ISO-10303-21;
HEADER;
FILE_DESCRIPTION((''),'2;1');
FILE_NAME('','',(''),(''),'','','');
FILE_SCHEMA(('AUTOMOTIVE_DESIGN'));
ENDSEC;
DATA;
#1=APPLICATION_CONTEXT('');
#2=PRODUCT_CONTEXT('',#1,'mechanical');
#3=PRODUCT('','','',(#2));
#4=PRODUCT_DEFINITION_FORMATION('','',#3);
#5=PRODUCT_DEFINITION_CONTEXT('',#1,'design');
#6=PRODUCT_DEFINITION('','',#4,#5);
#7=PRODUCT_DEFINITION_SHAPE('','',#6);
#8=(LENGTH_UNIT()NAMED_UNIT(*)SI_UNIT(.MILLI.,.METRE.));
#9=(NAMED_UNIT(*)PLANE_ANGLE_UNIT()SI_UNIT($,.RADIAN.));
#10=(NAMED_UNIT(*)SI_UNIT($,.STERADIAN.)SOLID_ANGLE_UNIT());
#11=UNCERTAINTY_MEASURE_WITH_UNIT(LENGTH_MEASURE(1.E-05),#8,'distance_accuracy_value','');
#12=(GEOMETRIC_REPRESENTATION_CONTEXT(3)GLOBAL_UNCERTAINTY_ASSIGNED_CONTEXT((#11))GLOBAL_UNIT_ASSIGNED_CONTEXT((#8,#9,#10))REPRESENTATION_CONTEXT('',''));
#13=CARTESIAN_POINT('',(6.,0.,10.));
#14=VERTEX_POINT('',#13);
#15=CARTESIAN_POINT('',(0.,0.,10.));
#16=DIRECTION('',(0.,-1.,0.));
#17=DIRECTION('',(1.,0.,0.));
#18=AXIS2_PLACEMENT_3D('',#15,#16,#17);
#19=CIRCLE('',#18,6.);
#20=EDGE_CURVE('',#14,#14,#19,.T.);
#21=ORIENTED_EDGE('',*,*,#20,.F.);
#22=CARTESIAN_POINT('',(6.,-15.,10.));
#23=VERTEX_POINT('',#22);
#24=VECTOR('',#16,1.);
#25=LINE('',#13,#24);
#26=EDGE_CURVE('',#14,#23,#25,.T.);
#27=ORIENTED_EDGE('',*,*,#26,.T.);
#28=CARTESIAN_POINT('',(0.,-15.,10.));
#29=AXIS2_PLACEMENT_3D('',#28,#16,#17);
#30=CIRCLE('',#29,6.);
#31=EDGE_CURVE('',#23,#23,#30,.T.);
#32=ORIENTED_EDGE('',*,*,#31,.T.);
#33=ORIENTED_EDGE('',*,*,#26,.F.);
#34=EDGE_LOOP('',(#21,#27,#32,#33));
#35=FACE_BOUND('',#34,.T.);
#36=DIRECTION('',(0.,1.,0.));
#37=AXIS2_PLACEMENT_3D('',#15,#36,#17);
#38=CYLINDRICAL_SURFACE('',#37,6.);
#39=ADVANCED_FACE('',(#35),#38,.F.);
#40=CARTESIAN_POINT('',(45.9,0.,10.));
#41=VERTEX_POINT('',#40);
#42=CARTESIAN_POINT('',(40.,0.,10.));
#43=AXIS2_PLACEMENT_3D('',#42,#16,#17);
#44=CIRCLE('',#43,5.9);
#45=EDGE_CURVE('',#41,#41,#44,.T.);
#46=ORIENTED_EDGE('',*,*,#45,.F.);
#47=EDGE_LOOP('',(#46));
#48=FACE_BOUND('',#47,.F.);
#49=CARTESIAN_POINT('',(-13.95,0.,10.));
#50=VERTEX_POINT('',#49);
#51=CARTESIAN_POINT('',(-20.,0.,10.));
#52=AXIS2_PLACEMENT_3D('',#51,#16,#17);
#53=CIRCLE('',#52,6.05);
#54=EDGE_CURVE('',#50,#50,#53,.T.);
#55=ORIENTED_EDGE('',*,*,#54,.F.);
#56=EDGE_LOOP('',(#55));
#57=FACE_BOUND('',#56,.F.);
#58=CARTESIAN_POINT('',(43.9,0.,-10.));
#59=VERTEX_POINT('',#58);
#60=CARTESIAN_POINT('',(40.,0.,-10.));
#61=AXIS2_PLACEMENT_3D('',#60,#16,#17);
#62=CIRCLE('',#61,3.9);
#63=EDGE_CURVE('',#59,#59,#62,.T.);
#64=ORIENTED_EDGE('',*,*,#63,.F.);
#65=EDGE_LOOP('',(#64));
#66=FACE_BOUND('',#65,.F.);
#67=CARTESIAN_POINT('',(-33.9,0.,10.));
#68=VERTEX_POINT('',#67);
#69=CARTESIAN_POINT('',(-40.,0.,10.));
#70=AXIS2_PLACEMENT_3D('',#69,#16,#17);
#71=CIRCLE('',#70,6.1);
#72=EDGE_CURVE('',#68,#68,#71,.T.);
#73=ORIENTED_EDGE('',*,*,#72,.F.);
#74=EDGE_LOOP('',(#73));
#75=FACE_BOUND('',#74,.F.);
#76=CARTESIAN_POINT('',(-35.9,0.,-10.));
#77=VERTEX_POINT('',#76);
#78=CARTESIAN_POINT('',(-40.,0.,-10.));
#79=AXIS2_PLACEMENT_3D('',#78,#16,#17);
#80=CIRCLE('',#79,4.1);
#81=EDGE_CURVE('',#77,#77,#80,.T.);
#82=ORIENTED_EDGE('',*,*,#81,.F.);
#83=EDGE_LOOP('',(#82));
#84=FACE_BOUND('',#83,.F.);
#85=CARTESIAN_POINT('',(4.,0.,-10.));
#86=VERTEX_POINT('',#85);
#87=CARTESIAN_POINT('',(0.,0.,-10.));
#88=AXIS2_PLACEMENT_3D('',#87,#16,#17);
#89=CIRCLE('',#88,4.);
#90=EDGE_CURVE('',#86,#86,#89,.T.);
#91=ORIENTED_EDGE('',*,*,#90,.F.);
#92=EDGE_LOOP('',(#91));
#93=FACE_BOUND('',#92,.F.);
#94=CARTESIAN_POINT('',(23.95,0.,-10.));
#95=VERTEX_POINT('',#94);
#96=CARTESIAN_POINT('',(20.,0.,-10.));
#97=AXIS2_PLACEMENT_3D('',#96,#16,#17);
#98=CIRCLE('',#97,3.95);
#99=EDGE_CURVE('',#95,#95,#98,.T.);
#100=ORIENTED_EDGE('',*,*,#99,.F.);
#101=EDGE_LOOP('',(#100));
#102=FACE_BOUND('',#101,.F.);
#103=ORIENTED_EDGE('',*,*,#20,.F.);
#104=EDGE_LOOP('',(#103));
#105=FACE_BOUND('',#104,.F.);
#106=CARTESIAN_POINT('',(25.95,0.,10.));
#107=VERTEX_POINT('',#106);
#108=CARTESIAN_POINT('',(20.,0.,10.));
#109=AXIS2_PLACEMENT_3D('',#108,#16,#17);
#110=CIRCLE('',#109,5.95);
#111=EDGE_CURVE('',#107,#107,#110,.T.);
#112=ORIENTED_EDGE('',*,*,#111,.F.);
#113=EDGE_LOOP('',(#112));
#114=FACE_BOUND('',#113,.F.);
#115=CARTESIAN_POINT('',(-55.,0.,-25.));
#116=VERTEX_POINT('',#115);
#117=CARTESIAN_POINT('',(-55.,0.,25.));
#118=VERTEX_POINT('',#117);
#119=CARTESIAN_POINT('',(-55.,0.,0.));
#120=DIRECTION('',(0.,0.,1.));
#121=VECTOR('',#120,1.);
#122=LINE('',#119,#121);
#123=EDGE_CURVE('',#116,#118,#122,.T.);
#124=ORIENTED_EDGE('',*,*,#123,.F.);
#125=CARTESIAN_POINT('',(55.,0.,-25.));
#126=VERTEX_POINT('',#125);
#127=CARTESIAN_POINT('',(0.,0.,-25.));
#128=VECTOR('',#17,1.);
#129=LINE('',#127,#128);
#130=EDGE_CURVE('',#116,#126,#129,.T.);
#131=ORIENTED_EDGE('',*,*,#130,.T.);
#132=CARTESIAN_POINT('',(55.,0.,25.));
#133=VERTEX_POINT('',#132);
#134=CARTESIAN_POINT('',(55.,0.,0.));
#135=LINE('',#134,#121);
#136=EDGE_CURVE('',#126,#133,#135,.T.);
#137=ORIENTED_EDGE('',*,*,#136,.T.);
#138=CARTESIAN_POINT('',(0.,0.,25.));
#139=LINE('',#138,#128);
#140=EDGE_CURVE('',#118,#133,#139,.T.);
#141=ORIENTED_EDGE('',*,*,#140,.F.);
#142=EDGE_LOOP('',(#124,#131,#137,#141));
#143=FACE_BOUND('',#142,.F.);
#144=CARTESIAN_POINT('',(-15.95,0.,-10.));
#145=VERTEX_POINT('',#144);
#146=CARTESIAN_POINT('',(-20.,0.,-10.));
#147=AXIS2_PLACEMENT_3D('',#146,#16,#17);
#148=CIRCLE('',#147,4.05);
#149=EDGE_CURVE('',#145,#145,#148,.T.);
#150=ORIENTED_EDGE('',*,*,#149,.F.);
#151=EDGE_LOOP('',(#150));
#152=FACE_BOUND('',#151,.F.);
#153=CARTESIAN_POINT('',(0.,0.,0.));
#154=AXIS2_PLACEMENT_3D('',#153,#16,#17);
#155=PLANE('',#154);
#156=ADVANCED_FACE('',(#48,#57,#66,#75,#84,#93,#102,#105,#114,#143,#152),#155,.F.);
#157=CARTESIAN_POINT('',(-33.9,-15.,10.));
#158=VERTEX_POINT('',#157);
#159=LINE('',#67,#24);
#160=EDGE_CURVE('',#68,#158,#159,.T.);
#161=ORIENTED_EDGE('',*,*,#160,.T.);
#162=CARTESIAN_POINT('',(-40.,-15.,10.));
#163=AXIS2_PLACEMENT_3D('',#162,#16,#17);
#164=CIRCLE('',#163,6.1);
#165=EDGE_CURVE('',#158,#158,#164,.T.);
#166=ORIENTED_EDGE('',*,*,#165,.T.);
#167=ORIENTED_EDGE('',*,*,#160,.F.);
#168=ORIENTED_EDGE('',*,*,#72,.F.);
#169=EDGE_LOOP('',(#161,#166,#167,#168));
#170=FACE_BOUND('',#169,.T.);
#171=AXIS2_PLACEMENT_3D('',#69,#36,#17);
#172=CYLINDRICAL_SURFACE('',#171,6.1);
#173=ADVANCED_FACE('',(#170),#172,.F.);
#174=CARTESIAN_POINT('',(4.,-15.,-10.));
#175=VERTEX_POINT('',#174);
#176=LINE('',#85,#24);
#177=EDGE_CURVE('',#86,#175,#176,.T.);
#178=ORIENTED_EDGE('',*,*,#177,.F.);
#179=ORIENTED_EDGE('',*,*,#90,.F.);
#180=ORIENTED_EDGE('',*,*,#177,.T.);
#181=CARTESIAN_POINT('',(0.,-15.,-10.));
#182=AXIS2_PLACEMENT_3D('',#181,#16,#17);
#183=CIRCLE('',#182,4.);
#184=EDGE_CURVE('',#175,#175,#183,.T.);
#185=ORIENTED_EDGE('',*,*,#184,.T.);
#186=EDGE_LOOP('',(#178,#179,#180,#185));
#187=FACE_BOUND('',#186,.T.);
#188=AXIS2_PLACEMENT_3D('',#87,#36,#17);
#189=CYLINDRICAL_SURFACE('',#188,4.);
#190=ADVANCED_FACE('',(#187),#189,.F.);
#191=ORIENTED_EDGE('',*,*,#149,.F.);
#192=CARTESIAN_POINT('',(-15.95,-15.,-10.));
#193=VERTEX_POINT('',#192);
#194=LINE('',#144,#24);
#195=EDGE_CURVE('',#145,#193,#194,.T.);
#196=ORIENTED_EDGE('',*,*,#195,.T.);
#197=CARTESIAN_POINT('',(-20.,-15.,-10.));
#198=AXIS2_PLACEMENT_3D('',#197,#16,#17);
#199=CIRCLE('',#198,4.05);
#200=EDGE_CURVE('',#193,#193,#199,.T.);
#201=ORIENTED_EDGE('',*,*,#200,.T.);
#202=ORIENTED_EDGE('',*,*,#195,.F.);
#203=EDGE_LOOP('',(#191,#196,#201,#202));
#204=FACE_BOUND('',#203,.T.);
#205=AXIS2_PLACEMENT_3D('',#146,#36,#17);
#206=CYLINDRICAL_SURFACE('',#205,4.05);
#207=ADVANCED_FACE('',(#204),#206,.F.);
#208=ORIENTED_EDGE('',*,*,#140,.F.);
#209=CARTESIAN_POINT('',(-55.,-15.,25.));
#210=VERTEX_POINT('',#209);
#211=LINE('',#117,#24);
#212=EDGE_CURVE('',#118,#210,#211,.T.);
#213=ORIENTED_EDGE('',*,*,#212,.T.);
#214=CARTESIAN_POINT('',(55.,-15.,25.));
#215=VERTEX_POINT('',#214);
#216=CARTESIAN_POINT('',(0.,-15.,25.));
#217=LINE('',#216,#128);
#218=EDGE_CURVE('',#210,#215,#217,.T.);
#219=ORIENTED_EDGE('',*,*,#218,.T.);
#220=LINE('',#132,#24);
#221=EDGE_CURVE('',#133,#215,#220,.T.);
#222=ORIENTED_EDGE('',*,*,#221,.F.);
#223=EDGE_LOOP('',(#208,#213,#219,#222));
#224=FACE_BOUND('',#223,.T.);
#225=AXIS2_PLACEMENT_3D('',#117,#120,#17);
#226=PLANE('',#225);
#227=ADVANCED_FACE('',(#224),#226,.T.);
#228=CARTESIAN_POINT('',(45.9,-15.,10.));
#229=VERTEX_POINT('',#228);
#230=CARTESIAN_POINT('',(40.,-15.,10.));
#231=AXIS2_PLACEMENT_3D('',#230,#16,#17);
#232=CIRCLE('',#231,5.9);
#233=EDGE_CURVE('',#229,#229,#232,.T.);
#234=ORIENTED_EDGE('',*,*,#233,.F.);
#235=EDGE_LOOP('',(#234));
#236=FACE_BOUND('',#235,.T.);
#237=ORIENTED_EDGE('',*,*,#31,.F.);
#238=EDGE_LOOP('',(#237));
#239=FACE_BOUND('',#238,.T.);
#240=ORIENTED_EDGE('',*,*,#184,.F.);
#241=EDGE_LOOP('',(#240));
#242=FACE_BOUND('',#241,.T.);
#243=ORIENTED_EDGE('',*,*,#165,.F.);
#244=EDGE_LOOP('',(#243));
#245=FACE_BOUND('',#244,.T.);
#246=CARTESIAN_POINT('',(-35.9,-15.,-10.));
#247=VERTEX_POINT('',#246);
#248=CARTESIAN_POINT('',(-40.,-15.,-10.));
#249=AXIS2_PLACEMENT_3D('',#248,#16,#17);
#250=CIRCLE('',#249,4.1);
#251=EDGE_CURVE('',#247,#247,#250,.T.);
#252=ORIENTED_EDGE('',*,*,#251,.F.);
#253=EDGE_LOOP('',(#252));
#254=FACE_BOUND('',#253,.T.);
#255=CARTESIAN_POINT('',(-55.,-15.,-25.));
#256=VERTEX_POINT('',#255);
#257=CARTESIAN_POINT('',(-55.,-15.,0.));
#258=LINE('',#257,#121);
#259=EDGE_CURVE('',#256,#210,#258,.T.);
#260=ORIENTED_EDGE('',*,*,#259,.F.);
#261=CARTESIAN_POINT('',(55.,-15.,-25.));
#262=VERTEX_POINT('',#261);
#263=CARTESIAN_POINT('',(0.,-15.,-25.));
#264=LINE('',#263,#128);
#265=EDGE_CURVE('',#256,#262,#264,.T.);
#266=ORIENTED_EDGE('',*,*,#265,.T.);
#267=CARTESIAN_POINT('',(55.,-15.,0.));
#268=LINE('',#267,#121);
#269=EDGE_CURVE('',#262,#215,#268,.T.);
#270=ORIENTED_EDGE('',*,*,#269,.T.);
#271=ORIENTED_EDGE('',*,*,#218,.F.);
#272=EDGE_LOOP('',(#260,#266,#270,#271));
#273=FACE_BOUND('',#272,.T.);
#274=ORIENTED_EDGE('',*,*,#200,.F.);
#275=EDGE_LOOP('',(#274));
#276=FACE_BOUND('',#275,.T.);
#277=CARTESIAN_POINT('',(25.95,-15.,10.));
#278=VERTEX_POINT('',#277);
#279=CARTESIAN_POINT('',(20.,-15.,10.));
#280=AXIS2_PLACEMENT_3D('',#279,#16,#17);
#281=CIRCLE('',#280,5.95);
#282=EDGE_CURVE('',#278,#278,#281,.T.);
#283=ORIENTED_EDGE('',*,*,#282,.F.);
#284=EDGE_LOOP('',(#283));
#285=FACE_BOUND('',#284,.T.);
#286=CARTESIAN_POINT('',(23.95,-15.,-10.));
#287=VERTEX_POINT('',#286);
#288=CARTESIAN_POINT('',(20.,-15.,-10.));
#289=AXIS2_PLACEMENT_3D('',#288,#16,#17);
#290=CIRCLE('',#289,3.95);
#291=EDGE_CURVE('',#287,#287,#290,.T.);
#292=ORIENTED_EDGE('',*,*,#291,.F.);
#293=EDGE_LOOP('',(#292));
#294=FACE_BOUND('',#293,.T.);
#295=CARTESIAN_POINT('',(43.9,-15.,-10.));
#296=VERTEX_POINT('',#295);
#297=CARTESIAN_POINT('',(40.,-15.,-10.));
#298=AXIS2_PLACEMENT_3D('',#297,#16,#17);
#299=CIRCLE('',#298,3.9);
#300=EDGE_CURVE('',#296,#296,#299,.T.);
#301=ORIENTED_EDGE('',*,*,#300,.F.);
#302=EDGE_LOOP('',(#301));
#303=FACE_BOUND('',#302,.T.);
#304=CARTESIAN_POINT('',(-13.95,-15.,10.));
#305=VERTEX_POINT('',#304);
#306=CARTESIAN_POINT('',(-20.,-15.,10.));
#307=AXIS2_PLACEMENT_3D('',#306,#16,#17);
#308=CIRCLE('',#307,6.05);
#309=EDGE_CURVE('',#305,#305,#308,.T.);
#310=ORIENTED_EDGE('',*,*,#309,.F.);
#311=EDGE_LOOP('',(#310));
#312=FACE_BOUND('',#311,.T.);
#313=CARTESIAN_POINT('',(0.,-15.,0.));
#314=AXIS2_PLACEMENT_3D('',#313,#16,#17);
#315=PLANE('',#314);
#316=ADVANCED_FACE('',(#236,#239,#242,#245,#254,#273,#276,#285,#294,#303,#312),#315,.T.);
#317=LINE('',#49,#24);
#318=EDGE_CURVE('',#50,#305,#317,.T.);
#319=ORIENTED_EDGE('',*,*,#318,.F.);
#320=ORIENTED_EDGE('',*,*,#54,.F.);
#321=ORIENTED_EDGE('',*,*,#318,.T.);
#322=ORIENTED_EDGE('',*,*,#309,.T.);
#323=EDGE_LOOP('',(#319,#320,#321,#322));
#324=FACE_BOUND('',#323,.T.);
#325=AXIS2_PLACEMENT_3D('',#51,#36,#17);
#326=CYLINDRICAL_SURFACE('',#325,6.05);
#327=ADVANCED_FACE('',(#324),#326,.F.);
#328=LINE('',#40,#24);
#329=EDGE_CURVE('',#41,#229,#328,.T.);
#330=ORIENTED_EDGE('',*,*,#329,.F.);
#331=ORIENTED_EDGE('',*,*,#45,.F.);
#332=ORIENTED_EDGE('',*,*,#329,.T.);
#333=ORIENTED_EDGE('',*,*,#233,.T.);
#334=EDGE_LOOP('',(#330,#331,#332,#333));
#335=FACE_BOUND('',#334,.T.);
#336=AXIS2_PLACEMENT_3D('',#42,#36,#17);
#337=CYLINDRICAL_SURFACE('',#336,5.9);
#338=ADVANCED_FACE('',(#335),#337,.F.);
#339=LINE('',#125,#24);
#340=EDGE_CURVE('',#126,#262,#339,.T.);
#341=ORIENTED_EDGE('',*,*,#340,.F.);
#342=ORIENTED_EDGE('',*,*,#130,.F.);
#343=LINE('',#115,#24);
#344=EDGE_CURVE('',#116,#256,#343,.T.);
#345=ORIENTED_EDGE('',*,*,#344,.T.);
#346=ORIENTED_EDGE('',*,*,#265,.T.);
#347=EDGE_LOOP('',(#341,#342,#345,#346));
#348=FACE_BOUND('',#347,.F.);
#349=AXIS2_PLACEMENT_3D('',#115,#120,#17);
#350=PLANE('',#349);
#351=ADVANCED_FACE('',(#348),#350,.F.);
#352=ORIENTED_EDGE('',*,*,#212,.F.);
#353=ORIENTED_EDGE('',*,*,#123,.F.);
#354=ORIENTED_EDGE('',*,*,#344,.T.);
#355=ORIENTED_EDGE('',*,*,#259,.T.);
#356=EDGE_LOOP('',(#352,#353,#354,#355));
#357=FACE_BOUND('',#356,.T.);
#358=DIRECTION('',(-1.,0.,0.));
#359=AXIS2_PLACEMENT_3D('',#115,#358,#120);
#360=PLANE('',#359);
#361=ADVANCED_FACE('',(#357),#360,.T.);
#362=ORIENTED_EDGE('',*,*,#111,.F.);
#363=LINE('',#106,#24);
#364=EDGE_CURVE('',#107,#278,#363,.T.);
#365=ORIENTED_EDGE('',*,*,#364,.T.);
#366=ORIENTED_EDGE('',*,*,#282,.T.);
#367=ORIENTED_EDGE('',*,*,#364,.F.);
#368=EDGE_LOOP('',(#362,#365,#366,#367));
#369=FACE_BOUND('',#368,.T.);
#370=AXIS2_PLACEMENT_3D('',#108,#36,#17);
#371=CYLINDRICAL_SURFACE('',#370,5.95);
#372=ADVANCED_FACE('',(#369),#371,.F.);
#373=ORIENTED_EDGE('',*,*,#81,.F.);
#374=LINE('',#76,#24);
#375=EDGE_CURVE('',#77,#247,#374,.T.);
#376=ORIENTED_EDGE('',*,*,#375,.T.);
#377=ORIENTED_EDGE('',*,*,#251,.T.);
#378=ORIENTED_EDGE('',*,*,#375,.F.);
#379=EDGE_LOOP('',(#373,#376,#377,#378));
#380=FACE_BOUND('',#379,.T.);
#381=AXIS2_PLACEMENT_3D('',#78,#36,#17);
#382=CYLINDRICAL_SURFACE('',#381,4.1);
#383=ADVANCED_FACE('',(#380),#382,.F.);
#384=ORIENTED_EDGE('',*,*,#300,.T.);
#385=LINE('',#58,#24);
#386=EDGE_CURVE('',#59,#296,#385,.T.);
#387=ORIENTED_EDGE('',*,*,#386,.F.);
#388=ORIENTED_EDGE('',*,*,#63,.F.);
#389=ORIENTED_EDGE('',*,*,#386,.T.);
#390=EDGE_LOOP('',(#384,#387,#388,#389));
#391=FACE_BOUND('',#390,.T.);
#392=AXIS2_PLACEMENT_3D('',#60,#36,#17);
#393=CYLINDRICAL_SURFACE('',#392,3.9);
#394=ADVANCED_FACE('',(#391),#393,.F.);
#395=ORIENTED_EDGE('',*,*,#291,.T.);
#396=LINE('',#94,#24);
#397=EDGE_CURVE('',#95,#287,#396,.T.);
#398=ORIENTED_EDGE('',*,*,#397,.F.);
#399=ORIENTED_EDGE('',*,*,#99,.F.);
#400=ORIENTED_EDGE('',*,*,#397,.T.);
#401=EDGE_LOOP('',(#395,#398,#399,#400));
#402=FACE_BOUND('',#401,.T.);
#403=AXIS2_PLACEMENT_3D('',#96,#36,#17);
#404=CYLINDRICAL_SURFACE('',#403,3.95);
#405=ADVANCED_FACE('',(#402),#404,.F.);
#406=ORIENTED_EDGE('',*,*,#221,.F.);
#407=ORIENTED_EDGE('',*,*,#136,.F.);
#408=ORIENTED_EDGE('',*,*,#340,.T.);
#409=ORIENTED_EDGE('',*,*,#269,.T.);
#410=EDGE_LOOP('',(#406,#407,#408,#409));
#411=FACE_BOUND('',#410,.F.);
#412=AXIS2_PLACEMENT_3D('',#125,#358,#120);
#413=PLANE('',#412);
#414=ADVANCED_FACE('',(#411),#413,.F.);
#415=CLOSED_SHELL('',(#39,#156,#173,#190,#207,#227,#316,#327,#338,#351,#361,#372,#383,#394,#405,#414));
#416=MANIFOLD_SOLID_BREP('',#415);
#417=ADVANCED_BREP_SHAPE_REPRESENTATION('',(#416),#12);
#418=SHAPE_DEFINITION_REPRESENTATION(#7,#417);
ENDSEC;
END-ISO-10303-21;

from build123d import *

# Parameters (mm, degrees)
F0_W     = 110
F0_H     = 50
F0_R     = 4.1
F0_R_2   = 4.05
F0_R_3   = 4
F0_R_4   = 3.95
F0_R_5   = 3.9
F0_R_6   = 6.1
F0_R_7   = 6.05
F0_R_8   = 6
F0_R_9   = 5.95
F0_R_10  = 5.9
F1_DEPTH = 15


with BuildPart() as f1:
    # F0 (on Front) → F1 (new body)
    with BuildSketch(Plane.XZ):
        Rectangle(F0_W, F0_H)
        with Locations((-40, -10)):
            Circle(F0_R, mode=Mode.SUBTRACT)
        with Locations((-20, -10)):
            Circle(F0_R_2, mode=Mode.SUBTRACT)
        with Locations((0, -10)):
            Circle(F0_R_3, mode=Mode.SUBTRACT)
        with Locations((20, -10)):
            Circle(F0_R_4, mode=Mode.SUBTRACT)
        with Locations((40, -10)):
            Circle(F0_R_5, mode=Mode.SUBTRACT)
        with Locations((-40, 10)):
            Circle(F0_R_6, mode=Mode.SUBTRACT)
        with Locations((-20, 10)):
            Circle(F0_R_7, mode=Mode.SUBTRACT)
        with Locations((0, 10)):
            Circle(F0_R_8, mode=Mode.SUBTRACT)
        with Locations((20, 10)):
            Circle(F0_R_9, mode=Mode.SUBTRACT)
        with Locations((40, 10)):
            Circle(F0_R_10, mode=Mode.SUBTRACT)
    extrude(amount=F1_DEPTH)


solid = f1.part
